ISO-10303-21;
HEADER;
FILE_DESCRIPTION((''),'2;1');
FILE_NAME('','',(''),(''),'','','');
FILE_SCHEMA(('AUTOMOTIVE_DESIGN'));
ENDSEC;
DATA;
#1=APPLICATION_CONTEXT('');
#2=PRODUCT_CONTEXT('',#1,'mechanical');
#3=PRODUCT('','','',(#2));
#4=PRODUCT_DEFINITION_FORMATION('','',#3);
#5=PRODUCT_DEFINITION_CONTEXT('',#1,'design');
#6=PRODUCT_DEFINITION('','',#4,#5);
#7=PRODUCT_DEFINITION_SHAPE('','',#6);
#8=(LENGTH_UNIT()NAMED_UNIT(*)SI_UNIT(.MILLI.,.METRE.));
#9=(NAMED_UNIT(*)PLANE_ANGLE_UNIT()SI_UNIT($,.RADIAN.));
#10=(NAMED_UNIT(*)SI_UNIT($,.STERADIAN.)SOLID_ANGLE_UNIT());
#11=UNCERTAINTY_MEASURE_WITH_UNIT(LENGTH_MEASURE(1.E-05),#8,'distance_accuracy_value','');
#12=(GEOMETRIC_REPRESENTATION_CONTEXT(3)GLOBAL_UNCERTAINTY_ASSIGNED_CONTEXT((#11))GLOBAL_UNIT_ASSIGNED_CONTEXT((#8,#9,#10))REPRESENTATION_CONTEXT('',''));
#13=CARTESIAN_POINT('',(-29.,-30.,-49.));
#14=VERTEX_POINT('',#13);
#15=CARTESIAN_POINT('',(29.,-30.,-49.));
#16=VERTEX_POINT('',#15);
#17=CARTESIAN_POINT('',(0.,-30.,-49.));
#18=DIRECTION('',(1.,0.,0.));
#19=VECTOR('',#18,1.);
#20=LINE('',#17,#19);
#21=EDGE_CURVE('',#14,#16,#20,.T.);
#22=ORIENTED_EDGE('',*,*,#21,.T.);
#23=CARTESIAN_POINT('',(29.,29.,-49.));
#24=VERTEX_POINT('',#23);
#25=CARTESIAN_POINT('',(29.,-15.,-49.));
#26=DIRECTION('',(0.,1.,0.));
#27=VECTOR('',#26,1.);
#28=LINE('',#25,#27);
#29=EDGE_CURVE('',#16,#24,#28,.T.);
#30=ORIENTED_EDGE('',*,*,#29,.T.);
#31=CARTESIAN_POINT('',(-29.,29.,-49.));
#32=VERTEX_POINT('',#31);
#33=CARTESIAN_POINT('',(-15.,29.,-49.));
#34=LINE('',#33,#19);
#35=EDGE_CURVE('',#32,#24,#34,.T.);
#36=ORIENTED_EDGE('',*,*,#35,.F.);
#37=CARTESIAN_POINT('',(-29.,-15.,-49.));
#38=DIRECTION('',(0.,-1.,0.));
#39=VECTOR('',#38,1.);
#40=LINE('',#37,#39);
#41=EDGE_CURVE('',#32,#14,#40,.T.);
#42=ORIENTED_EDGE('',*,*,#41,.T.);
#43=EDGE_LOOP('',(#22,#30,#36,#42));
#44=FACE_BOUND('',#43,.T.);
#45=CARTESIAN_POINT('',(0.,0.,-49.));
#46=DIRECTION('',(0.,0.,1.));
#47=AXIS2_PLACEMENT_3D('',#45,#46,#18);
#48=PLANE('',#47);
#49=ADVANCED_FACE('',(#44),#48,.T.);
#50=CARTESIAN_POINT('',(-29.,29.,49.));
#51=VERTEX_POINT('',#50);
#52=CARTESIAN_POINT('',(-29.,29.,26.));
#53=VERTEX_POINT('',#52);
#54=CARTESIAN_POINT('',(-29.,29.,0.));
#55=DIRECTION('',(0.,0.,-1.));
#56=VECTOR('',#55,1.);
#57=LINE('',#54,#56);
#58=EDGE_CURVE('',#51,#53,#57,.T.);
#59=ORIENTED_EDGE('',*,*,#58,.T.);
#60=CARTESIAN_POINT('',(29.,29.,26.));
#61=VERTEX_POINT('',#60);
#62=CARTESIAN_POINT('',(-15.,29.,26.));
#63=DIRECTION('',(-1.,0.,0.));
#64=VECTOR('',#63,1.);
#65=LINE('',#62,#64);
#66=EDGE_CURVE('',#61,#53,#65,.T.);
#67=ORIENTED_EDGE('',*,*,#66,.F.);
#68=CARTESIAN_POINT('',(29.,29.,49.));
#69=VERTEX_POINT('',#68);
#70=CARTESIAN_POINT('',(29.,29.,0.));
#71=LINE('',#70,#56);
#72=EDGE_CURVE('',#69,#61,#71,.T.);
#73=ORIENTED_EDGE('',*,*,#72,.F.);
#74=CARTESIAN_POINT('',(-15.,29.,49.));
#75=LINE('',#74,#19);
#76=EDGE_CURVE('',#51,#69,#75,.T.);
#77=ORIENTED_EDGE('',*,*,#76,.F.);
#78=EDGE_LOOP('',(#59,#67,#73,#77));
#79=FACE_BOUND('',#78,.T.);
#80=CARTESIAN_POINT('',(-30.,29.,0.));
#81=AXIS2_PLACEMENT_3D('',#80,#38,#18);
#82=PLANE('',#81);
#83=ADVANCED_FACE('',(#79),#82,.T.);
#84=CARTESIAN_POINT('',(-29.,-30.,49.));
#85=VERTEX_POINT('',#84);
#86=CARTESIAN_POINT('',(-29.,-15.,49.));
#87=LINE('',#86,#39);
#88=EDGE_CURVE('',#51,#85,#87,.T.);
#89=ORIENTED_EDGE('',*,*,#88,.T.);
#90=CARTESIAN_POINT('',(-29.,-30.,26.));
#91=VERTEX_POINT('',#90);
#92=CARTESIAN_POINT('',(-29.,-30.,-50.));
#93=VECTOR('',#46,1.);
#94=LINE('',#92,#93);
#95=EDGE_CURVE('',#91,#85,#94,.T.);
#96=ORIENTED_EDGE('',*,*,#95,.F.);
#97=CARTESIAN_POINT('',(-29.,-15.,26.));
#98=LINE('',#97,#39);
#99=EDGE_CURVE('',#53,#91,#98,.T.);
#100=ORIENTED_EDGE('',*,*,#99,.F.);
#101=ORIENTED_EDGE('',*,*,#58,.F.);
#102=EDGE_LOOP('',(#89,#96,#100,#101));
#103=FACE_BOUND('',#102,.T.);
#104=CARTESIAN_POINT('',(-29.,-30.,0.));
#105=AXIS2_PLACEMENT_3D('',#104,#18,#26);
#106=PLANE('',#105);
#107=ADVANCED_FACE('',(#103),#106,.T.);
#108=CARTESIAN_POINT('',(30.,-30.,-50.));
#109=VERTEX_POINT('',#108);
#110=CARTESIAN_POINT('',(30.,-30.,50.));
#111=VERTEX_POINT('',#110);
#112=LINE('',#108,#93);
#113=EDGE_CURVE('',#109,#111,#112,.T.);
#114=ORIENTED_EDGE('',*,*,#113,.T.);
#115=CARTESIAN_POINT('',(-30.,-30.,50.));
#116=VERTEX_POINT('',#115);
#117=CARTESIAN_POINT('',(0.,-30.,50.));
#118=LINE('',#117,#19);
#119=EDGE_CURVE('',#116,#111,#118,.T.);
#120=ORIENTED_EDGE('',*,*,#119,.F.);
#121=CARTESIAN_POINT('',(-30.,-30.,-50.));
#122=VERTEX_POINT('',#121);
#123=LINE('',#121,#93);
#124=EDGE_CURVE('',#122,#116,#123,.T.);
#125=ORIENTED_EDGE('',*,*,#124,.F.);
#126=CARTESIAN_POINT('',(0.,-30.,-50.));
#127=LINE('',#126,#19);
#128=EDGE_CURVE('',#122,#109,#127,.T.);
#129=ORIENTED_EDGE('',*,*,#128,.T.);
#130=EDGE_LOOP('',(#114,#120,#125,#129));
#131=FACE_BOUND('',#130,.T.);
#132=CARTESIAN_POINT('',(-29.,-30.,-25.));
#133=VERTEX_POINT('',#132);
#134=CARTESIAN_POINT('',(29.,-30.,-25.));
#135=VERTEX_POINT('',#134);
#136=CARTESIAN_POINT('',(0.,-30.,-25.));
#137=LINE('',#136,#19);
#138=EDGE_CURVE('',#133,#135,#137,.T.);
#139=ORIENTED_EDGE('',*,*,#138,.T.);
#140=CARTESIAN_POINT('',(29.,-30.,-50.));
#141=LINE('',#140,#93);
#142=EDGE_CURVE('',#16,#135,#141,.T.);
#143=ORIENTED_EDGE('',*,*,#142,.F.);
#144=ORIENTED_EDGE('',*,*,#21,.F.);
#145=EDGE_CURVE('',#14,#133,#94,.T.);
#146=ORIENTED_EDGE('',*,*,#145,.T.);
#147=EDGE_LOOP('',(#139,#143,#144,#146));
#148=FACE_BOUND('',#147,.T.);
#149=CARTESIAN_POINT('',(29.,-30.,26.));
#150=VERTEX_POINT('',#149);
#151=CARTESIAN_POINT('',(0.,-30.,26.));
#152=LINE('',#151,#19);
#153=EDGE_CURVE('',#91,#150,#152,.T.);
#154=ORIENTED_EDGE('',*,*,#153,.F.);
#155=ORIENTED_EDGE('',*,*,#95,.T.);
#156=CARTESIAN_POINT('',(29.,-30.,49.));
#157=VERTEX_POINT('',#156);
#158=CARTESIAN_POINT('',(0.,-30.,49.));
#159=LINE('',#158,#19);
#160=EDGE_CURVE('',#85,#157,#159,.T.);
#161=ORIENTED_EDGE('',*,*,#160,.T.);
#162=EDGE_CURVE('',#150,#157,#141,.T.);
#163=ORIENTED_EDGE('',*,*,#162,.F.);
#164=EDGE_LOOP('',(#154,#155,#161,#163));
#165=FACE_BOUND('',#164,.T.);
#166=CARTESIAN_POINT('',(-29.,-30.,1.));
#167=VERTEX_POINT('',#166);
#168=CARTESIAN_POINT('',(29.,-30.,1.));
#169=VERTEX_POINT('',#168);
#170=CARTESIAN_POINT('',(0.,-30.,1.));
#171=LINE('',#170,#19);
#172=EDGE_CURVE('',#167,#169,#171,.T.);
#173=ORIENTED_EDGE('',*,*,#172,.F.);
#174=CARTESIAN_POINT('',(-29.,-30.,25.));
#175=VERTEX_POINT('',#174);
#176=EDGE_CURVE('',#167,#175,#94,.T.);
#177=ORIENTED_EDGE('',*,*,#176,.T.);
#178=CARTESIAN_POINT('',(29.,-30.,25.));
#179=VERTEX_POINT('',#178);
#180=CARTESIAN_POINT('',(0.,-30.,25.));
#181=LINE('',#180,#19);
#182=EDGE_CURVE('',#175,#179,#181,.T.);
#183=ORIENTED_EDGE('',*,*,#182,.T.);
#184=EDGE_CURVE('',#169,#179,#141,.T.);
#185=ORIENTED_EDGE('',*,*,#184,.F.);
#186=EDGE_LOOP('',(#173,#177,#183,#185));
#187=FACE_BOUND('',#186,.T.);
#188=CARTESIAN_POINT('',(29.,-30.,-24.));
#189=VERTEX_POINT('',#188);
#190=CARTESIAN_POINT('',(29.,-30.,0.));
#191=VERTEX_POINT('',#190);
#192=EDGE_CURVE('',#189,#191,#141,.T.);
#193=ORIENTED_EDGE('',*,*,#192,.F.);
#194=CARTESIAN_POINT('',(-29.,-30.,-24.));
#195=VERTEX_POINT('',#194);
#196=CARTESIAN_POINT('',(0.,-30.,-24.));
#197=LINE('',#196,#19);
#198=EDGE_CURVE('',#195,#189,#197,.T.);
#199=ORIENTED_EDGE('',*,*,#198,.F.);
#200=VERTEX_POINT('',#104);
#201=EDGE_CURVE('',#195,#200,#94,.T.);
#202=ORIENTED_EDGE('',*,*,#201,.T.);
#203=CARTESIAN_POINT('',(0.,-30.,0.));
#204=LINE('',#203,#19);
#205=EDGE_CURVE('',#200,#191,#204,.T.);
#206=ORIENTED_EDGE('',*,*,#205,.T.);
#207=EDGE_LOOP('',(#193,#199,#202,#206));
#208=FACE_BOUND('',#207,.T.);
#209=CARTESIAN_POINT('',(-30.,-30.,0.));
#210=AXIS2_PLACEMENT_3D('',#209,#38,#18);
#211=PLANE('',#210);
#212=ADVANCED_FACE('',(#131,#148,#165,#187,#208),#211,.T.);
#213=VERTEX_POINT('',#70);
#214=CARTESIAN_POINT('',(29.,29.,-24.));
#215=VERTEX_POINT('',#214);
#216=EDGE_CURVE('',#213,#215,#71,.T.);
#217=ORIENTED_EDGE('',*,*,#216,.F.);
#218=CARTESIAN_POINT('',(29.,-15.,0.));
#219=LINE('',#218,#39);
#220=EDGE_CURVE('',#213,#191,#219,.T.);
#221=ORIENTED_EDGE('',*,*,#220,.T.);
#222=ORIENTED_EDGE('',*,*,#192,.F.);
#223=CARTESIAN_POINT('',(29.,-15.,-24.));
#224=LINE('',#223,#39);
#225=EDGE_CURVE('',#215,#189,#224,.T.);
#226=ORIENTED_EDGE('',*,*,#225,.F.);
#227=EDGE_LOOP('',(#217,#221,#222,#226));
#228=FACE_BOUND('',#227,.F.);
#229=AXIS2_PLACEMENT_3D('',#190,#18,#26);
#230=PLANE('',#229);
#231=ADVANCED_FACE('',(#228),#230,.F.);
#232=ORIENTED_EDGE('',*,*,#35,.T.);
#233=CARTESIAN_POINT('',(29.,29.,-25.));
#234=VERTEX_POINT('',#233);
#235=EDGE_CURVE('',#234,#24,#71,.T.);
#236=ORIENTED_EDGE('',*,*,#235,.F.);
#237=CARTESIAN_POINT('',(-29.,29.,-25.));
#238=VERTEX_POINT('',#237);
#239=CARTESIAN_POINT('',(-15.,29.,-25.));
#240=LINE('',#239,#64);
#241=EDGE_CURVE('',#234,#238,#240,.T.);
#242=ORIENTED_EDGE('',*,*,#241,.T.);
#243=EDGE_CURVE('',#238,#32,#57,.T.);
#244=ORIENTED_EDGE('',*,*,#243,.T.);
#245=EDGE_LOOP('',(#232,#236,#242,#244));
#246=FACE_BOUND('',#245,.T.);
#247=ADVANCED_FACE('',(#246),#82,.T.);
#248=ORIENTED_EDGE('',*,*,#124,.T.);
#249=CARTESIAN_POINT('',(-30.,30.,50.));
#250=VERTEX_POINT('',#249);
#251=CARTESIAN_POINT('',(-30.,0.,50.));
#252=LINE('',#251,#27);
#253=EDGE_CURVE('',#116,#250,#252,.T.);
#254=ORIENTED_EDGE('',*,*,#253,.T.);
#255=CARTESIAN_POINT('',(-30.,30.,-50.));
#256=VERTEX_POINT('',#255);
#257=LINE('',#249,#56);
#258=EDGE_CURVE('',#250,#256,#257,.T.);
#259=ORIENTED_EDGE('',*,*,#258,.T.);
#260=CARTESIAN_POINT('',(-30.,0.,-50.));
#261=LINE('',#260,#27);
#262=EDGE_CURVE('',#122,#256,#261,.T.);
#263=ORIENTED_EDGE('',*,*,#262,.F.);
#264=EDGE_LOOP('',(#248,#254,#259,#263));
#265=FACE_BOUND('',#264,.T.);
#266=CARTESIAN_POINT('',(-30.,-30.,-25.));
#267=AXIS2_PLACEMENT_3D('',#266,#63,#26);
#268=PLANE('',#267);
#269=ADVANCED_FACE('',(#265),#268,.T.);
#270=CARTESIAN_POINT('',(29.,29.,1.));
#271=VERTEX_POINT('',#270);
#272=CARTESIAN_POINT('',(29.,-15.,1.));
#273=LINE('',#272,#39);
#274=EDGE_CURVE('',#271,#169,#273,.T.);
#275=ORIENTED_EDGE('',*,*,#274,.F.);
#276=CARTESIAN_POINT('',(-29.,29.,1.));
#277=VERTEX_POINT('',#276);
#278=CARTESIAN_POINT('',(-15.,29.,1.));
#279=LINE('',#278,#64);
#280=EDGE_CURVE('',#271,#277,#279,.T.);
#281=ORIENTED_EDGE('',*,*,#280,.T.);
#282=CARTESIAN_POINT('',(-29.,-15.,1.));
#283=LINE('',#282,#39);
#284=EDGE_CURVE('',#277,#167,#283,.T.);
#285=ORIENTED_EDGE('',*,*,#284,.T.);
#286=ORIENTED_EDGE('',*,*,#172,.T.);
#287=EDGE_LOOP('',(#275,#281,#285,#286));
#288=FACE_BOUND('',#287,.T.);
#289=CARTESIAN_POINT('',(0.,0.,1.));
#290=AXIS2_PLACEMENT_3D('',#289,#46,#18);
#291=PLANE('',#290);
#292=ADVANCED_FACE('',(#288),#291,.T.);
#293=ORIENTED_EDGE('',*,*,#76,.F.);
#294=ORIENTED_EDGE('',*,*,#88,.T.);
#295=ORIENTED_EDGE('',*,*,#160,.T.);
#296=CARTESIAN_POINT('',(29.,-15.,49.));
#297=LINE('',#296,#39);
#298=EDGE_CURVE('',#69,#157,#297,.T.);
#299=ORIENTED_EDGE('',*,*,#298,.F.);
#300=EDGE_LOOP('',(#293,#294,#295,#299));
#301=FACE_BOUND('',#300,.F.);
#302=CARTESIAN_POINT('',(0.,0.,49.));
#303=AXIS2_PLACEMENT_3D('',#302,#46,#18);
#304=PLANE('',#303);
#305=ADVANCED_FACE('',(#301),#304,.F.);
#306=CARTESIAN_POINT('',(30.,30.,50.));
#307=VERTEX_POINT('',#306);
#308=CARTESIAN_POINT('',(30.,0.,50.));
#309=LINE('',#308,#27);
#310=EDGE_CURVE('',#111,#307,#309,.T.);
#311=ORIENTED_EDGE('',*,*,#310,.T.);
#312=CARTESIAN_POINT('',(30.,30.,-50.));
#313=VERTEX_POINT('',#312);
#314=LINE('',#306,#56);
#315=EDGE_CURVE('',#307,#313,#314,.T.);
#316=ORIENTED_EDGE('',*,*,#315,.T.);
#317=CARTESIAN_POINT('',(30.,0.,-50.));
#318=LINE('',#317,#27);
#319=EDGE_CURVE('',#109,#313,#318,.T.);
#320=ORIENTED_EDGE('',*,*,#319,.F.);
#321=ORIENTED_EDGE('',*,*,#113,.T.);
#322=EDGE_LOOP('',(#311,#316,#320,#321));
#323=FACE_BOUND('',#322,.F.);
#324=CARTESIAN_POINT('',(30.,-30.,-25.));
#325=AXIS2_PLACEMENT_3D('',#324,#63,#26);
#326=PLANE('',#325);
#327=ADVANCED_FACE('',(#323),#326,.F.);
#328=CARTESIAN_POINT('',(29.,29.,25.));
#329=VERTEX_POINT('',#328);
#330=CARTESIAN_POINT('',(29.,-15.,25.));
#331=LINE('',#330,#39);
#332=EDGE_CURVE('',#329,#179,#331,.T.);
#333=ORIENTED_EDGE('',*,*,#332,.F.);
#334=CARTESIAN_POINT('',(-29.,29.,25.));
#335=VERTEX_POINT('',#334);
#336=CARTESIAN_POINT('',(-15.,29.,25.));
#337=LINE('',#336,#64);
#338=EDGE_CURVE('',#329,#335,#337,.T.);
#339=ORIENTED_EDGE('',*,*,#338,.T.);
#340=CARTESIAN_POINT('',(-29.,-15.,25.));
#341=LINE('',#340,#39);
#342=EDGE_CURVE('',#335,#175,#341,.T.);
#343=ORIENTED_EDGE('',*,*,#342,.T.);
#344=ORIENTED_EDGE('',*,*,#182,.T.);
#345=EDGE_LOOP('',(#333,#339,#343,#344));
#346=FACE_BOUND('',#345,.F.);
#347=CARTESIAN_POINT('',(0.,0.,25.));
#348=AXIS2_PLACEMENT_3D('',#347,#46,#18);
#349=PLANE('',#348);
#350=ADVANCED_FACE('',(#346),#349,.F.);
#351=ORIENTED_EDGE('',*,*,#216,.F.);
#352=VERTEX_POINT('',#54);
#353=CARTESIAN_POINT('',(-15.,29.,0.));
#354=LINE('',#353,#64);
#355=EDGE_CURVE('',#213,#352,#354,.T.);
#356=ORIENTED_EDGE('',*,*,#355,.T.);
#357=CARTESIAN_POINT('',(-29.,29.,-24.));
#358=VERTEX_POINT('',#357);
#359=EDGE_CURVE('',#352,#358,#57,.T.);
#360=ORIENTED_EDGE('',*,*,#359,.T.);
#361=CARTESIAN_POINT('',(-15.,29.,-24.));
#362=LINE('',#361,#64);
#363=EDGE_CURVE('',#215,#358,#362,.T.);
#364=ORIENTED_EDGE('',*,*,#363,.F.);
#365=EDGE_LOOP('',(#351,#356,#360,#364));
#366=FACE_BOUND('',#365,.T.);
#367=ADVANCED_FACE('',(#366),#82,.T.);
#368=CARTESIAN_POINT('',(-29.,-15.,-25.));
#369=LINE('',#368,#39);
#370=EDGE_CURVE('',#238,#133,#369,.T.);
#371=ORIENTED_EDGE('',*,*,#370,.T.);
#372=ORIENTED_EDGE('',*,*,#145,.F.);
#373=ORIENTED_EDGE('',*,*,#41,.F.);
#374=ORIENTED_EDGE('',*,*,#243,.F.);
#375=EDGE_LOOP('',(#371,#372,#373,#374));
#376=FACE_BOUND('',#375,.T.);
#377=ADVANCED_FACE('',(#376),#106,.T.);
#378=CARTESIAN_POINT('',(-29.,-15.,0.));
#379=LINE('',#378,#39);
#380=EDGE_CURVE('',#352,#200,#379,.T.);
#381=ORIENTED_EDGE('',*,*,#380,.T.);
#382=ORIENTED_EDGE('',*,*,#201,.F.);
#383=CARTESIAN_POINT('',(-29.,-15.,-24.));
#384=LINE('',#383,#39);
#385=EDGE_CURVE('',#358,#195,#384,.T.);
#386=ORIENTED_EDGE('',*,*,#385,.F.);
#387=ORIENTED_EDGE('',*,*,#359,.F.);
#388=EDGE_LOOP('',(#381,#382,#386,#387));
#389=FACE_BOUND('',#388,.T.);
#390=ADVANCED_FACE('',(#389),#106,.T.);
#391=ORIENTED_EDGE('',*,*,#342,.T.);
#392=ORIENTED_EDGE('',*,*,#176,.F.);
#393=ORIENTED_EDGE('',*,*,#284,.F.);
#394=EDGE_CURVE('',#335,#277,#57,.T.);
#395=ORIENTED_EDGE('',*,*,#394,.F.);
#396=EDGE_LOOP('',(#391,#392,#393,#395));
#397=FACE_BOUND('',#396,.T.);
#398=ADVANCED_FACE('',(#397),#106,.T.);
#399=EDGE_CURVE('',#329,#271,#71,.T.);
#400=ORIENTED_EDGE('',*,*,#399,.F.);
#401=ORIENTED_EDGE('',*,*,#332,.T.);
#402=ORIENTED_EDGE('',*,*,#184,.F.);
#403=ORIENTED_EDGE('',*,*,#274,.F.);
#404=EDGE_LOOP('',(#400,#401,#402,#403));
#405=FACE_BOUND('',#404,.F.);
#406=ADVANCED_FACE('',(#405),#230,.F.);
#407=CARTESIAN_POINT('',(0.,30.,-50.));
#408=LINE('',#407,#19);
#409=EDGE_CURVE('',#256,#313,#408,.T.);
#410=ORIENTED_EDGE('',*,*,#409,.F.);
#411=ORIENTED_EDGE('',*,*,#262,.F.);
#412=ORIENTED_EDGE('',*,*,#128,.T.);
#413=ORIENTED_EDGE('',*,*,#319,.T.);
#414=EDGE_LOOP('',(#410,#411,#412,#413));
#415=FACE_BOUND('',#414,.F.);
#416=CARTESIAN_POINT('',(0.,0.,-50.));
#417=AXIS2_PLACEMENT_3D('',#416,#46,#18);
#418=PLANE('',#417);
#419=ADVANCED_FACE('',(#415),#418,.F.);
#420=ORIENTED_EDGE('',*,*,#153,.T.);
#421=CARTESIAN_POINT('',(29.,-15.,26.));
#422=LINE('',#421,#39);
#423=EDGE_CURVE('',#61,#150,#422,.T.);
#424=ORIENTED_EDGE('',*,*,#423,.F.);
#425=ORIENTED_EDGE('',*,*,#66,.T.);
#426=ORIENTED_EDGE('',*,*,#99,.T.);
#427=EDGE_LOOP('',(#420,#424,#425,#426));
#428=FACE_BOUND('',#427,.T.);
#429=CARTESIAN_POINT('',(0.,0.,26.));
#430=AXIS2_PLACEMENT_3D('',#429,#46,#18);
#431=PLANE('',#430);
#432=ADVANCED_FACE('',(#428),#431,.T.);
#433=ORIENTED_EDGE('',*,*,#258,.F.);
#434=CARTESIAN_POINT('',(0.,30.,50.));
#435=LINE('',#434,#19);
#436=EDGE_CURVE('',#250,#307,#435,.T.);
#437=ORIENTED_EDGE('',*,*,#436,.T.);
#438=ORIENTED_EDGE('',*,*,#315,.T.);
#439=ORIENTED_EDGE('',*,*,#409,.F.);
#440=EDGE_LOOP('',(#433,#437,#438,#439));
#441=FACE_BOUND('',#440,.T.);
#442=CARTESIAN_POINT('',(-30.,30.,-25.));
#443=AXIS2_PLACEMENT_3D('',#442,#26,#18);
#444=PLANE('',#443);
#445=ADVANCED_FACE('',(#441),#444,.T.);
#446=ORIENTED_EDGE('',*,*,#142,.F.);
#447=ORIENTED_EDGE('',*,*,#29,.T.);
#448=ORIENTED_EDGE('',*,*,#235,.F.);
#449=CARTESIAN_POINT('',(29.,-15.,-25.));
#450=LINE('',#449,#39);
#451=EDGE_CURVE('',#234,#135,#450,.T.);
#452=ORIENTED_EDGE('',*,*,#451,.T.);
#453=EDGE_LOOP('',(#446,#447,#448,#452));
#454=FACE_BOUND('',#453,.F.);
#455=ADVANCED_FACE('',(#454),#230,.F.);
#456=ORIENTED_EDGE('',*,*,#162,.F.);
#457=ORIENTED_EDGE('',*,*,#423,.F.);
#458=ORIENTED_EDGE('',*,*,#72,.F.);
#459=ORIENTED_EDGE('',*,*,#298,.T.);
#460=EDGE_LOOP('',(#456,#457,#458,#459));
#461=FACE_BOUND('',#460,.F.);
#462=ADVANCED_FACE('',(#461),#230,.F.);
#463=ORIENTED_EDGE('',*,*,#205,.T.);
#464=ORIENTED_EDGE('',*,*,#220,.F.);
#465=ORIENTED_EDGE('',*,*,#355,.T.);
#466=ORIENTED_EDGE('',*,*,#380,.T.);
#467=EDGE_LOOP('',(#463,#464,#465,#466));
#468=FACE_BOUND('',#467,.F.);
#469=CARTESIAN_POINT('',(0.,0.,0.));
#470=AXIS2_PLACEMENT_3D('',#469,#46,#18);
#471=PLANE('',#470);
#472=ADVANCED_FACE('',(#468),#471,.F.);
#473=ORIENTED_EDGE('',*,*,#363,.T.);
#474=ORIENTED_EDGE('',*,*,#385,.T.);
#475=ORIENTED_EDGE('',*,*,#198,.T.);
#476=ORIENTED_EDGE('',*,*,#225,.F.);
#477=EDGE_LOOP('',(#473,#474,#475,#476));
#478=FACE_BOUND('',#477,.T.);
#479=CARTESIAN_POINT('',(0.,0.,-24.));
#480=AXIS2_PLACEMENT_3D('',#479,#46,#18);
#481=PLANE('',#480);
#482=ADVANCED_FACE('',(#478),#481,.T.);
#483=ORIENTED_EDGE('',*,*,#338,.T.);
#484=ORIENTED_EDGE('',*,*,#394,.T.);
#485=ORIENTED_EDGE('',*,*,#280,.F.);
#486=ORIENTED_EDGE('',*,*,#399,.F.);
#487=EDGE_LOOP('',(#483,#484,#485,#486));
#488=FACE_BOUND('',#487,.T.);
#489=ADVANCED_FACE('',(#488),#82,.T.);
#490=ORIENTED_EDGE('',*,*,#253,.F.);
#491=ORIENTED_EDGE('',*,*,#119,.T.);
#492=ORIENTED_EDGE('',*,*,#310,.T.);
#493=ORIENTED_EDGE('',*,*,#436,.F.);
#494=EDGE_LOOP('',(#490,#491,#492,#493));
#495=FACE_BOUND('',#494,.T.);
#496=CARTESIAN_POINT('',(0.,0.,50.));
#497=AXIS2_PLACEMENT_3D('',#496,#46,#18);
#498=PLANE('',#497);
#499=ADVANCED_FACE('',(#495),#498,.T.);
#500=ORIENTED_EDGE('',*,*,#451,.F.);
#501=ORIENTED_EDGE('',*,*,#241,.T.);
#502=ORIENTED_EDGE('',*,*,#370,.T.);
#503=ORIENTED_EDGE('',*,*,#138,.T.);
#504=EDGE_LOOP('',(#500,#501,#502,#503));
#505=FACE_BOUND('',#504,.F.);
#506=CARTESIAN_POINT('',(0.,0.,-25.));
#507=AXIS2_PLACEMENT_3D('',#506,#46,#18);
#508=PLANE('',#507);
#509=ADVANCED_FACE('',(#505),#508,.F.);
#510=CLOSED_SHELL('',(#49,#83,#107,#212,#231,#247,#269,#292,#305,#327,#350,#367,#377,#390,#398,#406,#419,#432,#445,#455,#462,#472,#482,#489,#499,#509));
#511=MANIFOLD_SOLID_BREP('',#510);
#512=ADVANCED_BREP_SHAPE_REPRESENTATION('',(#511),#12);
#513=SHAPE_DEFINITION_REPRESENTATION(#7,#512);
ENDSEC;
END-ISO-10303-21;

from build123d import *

# Parameters (mm, degrees)
F0_W      = 60
F0_H      = 60
F1_DEPTH  = 50
F2_T      = -1
F5_W      = 60
F5_H      = 60
F6_DEPTH  = 1
F7_W      = 60
F7_H      = 60
F8_DEPTH  = 1
F9_W      = 60
F9_H      = 60
F10_DEPTH = 1


with BuildPart() as f1:
    # F0 (on Top) → F1 (new body, symmetric)
    with BuildSketch(Plane.XY):
        Rectangle(F0_W, F0_H)
    extrude(amount=F1_DEPTH, both=True)

    # F2
    f2_openings = [f1.faces().sort_by_distance(p)[0] for p in [
        (0, -30, 0),
    ]]
    offset(amount=F2_T, openings=f2_openings)

    # F5 (on offset) → F6 (join)
    with BuildSketch(Plane.XY.offset(25)):
        Rectangle(F5_W, F5_H)
    extrude(amount=F6_DEPTH)

    # F7 (on Top) → F8 (join)
    with BuildSketch(Plane.XY):
        Rectangle(F7_W, F7_H)
    extrude(amount=F8_DEPTH)

    # F9 (on offset) → F10 (join)
    with BuildSketch(Plane.XY.offset(-25)):
        Rectangle(F9_W, F9_H)
    extrude(amount=F10_DEPTH)


solid = f1.part
